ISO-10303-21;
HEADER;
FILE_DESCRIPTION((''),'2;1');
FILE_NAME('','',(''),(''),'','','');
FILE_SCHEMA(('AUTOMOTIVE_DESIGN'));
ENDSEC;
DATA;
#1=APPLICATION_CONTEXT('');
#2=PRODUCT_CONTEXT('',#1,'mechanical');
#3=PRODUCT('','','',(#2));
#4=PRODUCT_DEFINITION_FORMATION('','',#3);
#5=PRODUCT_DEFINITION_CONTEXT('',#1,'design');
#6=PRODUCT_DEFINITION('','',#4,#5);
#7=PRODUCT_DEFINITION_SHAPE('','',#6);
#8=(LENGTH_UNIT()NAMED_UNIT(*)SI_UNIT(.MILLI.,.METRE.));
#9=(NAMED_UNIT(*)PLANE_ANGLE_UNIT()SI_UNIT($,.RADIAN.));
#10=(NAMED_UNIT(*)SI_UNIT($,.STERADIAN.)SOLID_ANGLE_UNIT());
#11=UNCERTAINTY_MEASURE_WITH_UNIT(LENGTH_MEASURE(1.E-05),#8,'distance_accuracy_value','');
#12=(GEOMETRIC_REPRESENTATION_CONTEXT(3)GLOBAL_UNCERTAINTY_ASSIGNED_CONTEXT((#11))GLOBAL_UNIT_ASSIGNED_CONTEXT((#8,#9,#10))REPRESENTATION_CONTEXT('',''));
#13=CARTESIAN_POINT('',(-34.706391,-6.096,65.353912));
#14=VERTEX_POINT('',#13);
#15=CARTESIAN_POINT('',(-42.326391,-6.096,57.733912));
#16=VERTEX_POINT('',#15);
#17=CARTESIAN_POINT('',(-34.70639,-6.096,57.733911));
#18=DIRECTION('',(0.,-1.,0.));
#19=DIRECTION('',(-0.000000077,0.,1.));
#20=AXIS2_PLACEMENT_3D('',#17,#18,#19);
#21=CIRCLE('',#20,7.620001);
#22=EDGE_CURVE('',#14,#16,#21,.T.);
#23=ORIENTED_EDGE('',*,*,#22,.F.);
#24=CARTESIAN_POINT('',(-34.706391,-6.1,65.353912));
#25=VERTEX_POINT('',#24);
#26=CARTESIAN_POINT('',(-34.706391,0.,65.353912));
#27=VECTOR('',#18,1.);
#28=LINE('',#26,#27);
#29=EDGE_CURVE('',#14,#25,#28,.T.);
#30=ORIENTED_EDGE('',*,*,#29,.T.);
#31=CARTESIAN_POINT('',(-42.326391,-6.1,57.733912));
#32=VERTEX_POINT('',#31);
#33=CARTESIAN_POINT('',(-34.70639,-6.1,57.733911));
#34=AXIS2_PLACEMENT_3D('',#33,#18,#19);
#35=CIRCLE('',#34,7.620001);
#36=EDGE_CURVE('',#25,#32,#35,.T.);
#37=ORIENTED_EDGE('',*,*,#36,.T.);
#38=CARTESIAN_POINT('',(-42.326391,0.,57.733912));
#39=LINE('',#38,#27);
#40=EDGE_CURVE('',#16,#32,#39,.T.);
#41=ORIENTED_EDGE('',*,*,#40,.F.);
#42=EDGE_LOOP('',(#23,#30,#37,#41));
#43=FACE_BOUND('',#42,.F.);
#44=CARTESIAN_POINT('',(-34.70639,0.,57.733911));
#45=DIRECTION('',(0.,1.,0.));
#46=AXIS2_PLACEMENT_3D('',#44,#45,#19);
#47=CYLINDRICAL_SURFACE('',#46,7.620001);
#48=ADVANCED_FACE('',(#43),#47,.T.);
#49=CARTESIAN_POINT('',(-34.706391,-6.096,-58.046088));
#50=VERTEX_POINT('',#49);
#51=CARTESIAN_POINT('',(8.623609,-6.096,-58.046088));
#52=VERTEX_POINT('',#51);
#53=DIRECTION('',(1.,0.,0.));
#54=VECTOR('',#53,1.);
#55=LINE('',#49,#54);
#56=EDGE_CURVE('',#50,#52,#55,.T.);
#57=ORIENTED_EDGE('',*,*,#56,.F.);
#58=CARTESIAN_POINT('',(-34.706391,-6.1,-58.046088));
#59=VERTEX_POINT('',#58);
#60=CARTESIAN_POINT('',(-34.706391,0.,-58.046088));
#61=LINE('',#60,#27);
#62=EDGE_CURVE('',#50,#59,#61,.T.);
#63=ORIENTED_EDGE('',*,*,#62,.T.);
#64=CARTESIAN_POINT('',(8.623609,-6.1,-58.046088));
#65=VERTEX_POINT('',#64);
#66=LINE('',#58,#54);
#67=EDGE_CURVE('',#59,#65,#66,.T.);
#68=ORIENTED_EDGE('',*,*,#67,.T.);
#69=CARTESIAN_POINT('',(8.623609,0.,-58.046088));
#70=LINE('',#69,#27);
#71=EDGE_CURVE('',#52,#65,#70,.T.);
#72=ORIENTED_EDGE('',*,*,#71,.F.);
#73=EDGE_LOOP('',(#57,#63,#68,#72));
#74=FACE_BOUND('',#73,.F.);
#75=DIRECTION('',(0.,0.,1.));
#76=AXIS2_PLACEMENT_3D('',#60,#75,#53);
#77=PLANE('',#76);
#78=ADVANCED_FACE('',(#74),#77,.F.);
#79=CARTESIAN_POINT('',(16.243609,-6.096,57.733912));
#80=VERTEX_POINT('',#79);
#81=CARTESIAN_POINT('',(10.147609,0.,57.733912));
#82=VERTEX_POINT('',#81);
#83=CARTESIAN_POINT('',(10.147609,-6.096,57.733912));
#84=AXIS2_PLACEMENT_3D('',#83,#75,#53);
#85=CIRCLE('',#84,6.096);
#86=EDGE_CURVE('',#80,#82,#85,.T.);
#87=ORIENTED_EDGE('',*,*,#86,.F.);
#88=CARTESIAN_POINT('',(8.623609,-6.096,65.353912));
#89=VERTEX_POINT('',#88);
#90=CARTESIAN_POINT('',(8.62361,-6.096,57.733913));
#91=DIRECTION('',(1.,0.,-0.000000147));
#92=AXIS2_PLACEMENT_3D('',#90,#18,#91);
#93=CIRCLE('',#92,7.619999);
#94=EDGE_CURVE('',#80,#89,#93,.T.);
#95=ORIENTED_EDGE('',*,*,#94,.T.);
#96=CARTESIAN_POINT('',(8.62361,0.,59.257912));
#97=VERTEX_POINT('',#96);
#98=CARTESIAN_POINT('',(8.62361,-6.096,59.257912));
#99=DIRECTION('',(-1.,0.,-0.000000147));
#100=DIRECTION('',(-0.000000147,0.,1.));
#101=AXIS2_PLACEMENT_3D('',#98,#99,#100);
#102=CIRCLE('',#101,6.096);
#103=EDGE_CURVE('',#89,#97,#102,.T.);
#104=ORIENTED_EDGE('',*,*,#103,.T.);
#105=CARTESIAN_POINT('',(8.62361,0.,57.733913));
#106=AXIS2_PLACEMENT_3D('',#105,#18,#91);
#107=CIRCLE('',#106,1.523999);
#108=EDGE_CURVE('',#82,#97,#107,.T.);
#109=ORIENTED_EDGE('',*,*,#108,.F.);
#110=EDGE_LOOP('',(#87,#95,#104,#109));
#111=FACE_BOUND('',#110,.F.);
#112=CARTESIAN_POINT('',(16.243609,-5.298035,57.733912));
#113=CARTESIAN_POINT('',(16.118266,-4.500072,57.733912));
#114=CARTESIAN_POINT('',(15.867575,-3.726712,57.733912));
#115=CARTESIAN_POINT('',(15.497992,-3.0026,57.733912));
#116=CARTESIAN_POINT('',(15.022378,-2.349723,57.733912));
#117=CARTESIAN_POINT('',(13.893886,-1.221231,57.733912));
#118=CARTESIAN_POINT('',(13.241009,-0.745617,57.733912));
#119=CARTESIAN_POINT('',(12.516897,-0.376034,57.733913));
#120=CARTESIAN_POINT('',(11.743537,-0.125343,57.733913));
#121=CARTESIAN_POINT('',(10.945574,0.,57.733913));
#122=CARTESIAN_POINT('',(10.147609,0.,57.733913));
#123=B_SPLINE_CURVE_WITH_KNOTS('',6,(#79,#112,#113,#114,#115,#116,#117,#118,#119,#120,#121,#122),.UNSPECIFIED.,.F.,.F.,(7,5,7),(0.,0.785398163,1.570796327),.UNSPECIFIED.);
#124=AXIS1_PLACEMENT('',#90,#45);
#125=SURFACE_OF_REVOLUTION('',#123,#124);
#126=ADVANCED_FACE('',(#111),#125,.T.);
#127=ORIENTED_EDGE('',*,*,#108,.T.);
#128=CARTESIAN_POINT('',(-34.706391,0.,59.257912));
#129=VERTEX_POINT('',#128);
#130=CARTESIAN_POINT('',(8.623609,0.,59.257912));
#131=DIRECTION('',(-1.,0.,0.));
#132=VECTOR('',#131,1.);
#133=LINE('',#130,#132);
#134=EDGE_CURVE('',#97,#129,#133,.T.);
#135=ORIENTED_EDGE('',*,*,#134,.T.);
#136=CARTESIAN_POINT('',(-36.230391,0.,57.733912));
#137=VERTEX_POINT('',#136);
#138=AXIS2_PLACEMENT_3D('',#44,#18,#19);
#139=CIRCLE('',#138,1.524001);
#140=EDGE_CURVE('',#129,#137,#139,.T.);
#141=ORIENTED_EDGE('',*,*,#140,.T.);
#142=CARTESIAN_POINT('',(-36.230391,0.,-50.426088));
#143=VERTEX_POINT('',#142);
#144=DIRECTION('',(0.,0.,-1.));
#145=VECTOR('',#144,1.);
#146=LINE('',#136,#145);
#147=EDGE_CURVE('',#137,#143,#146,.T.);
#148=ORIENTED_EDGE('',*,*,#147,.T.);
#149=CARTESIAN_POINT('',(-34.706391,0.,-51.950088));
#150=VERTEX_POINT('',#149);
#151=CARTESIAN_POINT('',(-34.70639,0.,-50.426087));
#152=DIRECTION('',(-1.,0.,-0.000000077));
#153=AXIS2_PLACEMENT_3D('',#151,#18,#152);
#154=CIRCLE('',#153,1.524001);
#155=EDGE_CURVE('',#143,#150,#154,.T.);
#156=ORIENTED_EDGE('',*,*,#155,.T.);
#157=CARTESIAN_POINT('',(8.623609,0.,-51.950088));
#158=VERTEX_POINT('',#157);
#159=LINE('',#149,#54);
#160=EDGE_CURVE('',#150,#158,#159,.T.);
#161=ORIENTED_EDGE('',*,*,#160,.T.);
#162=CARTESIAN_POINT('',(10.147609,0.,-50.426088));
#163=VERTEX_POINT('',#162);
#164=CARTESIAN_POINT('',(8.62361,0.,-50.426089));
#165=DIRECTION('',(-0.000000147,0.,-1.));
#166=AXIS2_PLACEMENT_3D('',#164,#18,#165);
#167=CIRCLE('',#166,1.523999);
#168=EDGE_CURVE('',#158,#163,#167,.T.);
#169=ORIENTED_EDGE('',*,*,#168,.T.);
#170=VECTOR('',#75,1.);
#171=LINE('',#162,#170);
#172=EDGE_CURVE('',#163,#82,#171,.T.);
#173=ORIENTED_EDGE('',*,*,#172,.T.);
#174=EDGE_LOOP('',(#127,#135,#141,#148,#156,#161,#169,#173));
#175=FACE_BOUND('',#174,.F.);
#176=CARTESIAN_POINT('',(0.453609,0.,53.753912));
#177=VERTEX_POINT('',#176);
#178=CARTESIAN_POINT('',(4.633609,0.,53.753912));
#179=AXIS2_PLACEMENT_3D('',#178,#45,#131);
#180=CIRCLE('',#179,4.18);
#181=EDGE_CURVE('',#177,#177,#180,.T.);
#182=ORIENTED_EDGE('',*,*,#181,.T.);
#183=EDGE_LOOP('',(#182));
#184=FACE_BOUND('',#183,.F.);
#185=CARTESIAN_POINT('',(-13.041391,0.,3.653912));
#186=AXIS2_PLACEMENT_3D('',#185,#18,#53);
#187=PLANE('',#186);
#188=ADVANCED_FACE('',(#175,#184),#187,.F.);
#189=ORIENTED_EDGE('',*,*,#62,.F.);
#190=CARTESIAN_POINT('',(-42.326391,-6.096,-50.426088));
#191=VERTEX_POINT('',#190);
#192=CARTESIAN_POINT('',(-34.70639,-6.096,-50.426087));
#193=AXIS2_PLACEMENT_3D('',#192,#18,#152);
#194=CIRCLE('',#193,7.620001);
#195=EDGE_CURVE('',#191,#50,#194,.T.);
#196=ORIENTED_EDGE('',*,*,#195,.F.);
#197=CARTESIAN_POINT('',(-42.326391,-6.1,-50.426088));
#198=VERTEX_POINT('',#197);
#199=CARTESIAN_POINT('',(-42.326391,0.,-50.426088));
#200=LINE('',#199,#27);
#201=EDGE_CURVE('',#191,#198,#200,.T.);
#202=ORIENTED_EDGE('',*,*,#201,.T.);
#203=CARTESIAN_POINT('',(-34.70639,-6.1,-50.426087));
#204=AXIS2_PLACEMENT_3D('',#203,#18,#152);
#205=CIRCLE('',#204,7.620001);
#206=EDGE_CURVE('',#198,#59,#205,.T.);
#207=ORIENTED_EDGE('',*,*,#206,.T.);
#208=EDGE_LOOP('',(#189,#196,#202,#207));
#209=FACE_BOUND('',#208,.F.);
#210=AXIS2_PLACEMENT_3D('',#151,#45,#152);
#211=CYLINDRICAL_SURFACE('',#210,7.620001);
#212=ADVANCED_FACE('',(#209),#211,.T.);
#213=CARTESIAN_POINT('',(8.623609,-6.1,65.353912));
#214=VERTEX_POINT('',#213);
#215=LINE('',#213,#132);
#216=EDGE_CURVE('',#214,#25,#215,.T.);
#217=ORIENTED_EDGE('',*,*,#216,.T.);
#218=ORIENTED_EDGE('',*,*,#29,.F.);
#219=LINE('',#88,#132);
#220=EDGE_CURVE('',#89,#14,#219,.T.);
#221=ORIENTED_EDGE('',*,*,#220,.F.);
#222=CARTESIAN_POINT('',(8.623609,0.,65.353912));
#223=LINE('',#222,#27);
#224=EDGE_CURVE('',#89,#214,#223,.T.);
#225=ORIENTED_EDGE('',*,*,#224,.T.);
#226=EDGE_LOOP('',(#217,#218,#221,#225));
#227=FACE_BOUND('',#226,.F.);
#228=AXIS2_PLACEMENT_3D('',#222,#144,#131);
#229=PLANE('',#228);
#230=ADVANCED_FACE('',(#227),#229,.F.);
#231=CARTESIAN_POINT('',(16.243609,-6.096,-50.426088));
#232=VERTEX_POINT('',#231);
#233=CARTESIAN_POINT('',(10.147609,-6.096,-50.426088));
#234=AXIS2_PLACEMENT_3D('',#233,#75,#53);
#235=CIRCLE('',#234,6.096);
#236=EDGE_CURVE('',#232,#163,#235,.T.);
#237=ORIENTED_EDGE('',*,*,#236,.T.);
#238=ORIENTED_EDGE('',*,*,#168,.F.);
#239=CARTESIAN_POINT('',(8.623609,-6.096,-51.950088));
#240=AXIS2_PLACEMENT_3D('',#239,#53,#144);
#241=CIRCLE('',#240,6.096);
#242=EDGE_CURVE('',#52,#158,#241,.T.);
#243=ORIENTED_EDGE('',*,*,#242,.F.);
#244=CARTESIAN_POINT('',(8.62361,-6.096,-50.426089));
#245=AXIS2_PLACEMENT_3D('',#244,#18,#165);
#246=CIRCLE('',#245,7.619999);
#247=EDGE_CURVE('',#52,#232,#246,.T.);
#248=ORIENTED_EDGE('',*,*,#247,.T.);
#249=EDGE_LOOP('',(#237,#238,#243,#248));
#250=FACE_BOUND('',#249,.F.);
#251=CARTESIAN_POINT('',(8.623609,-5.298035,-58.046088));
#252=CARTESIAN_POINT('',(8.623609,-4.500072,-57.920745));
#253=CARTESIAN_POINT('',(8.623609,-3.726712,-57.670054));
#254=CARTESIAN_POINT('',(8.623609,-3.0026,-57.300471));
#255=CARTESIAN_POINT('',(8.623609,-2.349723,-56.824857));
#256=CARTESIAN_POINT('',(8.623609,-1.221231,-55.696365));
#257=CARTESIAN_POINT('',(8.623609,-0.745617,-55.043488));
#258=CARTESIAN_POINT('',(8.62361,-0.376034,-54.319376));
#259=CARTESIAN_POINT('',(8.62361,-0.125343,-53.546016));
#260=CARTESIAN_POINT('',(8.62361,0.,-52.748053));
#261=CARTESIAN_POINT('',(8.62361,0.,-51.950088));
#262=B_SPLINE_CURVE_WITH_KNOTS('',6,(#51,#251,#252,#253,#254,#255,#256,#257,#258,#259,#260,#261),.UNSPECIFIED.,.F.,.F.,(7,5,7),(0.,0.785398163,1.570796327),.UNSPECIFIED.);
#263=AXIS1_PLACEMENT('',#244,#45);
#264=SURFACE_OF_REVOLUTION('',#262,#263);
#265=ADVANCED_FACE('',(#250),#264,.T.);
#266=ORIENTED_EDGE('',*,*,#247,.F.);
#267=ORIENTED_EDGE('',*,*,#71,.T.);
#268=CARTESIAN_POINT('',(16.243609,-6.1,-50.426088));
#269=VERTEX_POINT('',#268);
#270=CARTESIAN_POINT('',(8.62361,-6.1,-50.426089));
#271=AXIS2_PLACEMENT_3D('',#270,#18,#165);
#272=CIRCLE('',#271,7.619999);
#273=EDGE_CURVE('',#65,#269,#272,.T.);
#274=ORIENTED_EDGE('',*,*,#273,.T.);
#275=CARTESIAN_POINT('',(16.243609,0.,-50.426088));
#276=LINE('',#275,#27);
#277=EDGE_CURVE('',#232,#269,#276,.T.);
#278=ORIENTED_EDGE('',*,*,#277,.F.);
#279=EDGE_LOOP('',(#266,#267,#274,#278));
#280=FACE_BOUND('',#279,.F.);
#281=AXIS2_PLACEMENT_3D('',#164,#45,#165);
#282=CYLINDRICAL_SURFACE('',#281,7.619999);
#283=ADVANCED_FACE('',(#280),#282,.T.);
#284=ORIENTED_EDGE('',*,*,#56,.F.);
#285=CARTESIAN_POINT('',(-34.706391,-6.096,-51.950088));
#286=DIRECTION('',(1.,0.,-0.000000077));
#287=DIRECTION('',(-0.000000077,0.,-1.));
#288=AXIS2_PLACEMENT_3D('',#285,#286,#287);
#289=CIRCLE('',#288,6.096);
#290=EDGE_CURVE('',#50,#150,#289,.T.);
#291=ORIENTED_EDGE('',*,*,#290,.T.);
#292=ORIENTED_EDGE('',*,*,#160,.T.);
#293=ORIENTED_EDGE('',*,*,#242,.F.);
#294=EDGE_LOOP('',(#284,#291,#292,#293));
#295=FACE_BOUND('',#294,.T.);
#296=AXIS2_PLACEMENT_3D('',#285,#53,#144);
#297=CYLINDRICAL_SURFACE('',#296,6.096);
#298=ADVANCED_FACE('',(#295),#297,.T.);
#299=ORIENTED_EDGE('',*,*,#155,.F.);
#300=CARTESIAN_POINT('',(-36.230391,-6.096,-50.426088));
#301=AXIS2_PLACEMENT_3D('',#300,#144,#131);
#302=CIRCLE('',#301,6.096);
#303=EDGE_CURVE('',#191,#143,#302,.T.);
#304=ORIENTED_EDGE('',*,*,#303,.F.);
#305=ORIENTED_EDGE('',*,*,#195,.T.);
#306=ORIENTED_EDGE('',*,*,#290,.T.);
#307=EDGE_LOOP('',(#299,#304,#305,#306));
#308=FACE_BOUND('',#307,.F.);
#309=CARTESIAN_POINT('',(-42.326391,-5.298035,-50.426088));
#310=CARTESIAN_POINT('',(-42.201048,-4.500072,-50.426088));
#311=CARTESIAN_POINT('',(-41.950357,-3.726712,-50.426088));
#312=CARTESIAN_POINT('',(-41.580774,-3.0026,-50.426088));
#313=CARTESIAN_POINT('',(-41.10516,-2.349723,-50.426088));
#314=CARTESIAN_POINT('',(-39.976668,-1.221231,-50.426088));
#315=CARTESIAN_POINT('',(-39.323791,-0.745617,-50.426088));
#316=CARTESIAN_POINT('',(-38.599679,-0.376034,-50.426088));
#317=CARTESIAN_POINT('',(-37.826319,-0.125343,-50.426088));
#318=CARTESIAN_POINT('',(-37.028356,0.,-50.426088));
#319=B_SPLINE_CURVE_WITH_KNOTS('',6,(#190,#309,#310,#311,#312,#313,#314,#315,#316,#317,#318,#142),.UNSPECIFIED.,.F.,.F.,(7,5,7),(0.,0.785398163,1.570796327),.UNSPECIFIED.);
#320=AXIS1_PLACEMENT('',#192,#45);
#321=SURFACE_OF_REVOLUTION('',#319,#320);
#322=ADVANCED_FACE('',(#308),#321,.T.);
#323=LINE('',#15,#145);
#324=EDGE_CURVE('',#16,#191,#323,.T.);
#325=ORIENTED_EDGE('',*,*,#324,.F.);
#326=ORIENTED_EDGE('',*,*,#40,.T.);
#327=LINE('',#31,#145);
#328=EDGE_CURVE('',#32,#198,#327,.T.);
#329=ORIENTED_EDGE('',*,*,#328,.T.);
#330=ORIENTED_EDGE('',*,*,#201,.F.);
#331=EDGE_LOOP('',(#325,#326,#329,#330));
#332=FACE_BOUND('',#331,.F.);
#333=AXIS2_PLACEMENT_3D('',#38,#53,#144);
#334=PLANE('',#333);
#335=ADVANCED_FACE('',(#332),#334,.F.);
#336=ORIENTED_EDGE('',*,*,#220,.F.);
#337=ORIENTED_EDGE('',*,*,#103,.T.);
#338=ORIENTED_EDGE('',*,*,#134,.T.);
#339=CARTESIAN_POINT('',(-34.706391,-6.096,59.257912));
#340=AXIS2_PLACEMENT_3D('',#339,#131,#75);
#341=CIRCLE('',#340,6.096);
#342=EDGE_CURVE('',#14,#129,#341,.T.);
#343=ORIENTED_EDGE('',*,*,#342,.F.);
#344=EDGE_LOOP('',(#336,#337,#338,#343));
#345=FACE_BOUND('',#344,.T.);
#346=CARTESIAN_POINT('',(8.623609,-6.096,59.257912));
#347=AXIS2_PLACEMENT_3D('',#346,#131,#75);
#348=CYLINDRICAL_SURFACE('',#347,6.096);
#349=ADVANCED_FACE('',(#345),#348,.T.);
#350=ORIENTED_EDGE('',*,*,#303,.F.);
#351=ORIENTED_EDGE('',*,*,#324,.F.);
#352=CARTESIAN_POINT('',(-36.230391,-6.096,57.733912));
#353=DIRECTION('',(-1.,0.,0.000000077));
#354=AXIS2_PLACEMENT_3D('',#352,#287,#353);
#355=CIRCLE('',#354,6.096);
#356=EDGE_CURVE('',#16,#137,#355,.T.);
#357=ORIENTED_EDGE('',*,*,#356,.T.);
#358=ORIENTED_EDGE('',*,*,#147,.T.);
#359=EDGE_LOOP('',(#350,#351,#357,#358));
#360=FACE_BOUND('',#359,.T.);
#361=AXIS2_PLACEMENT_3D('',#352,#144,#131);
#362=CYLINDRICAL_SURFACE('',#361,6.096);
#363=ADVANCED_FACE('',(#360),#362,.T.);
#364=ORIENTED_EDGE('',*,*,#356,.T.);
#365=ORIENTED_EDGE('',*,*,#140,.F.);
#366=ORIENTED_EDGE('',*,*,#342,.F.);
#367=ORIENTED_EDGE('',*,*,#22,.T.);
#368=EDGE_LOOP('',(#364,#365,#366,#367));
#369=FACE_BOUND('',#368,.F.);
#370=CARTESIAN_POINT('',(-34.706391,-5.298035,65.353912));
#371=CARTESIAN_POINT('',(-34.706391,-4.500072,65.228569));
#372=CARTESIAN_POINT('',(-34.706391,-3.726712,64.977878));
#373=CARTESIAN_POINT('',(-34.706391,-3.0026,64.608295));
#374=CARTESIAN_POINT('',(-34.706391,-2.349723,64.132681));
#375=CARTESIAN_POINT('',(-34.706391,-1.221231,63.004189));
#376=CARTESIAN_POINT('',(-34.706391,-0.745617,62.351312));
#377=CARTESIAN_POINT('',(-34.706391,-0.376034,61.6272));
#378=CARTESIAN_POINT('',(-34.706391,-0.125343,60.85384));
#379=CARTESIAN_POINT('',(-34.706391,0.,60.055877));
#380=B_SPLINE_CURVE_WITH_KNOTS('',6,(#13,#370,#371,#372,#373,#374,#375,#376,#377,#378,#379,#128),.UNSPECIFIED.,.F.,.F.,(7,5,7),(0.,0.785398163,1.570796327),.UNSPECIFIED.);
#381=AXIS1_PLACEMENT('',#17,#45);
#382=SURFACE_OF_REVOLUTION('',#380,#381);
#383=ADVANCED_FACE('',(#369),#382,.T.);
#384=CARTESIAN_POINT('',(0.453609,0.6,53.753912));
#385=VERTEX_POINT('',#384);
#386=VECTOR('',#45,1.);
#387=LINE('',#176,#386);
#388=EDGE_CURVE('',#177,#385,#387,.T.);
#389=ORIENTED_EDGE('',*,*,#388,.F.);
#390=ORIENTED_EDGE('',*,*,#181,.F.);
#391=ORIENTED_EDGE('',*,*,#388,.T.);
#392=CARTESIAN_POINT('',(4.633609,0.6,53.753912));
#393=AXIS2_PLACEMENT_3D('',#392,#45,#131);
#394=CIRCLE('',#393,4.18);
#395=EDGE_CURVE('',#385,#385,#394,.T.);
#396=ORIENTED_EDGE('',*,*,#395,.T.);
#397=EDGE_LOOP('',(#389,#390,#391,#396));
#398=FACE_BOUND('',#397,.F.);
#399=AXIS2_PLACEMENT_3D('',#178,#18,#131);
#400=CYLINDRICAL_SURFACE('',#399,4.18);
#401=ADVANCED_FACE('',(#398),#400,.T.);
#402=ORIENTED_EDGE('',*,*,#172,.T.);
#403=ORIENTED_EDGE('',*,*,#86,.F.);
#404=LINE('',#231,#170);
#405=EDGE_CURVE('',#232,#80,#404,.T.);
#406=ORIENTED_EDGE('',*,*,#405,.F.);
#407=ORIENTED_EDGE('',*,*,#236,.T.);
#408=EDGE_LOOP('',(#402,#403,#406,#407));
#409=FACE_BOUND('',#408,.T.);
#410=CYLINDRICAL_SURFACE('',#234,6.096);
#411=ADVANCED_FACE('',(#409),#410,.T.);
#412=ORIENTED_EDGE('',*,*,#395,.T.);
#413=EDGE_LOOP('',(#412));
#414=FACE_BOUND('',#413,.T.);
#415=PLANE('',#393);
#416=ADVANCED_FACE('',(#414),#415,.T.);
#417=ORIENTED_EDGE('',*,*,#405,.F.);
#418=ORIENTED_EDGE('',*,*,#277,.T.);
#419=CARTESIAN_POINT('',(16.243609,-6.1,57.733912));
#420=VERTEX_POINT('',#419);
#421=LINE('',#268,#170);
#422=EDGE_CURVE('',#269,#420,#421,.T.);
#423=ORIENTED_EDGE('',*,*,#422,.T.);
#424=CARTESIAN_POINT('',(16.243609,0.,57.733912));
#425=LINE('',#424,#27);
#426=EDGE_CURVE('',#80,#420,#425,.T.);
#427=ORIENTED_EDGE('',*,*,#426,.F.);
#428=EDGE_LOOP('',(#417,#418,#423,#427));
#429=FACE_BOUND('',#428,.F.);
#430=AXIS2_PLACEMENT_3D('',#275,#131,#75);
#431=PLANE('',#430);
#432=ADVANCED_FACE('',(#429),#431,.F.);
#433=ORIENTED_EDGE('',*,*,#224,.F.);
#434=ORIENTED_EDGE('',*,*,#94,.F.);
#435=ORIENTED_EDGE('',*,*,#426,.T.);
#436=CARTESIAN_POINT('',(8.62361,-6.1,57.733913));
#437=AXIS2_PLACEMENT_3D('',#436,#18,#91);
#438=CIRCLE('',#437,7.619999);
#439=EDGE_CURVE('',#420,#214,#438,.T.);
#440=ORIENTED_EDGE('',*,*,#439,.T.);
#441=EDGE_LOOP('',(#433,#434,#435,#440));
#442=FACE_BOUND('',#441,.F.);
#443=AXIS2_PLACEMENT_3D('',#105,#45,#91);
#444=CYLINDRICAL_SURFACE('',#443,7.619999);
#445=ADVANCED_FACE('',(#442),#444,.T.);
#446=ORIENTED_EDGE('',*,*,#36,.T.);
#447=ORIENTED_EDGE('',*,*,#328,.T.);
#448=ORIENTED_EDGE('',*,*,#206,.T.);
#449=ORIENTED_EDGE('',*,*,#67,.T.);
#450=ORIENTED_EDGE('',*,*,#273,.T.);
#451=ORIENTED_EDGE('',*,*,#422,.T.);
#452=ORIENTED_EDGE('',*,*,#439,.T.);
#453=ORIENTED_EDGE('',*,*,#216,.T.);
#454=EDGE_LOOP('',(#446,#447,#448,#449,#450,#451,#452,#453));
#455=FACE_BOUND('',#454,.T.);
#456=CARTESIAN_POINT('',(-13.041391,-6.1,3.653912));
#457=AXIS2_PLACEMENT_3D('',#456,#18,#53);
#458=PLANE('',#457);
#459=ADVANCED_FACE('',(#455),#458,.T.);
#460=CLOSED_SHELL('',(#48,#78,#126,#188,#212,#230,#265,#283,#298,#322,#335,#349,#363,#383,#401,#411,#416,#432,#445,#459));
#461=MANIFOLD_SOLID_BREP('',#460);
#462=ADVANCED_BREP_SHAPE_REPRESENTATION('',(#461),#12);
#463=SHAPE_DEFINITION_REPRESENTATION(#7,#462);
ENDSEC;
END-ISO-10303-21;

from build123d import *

# Parameters (mm, degrees)
F1_DEPTH = 6.1
F2_R     = 6.096
F3_R     = 4.18
F4_DEPTH = 0.6


with BuildPart() as f1:
    # F0 (on Front) → F1 (new body)
    with BuildSketch(Plane.XZ):
        with BuildLine():
            Line((8.623609, 65.353912), (-34.706391, 65.353912))
            ThreePointArc((-34.706391, 65.353912), (-40.094544, 63.122066), (-42.326391, 57.733912))
            Line((-42.326391, 57.733912), (-42.326391, -50.426088))
            ThreePointArc((-42.326391, -50.426088), (-40.094544, -55.814242), (-34.706391, -58.046088))
            Line((-34.706391, -58.046088), (8.623609, -58.046088))
            ThreePointArc((8.623609, -58.046088), (14.011763, -55.814242), (16.243609, -50.426088))
            Line((16.243609, -50.426088), (16.243609, 57.733912))
            ThreePointArc((16.243609, 57.733912), (14.011763, 63.122066), (8.623609, 65.353912))
        make_face()
    extrude(amount=F1_DEPTH)

    # F2
    f2_edges = [f1.edges().sort_by_distance(p)[0] for p in [
        (16.243609, 0, 3.653912),
        (14.011763, 0, 63.122066),
        (-13.041391, 0, 65.353912),
        (-40.094544, 0, 63.122066),
        (-42.326391, 0, 3.653912),
        (-40.094544, 0, -55.814242),
        (-13.041391, 0, -58.046088),
        (14.011763, 0, -55.814242),
    ]]
    fillet(f2_edges, radius=F2_R)

    # F3 (on face) → F4 (join)
    with BuildSketch(Plane(origin=(0, 0, 0), x_dir=(-1, 0, 0), z_dir=(0, 1, 0))):
        with Locations((-4.633609, 53.753912)):
            Circle(F3_R)
    extrude(amount=F4_DEPTH)


solid = f1.part
